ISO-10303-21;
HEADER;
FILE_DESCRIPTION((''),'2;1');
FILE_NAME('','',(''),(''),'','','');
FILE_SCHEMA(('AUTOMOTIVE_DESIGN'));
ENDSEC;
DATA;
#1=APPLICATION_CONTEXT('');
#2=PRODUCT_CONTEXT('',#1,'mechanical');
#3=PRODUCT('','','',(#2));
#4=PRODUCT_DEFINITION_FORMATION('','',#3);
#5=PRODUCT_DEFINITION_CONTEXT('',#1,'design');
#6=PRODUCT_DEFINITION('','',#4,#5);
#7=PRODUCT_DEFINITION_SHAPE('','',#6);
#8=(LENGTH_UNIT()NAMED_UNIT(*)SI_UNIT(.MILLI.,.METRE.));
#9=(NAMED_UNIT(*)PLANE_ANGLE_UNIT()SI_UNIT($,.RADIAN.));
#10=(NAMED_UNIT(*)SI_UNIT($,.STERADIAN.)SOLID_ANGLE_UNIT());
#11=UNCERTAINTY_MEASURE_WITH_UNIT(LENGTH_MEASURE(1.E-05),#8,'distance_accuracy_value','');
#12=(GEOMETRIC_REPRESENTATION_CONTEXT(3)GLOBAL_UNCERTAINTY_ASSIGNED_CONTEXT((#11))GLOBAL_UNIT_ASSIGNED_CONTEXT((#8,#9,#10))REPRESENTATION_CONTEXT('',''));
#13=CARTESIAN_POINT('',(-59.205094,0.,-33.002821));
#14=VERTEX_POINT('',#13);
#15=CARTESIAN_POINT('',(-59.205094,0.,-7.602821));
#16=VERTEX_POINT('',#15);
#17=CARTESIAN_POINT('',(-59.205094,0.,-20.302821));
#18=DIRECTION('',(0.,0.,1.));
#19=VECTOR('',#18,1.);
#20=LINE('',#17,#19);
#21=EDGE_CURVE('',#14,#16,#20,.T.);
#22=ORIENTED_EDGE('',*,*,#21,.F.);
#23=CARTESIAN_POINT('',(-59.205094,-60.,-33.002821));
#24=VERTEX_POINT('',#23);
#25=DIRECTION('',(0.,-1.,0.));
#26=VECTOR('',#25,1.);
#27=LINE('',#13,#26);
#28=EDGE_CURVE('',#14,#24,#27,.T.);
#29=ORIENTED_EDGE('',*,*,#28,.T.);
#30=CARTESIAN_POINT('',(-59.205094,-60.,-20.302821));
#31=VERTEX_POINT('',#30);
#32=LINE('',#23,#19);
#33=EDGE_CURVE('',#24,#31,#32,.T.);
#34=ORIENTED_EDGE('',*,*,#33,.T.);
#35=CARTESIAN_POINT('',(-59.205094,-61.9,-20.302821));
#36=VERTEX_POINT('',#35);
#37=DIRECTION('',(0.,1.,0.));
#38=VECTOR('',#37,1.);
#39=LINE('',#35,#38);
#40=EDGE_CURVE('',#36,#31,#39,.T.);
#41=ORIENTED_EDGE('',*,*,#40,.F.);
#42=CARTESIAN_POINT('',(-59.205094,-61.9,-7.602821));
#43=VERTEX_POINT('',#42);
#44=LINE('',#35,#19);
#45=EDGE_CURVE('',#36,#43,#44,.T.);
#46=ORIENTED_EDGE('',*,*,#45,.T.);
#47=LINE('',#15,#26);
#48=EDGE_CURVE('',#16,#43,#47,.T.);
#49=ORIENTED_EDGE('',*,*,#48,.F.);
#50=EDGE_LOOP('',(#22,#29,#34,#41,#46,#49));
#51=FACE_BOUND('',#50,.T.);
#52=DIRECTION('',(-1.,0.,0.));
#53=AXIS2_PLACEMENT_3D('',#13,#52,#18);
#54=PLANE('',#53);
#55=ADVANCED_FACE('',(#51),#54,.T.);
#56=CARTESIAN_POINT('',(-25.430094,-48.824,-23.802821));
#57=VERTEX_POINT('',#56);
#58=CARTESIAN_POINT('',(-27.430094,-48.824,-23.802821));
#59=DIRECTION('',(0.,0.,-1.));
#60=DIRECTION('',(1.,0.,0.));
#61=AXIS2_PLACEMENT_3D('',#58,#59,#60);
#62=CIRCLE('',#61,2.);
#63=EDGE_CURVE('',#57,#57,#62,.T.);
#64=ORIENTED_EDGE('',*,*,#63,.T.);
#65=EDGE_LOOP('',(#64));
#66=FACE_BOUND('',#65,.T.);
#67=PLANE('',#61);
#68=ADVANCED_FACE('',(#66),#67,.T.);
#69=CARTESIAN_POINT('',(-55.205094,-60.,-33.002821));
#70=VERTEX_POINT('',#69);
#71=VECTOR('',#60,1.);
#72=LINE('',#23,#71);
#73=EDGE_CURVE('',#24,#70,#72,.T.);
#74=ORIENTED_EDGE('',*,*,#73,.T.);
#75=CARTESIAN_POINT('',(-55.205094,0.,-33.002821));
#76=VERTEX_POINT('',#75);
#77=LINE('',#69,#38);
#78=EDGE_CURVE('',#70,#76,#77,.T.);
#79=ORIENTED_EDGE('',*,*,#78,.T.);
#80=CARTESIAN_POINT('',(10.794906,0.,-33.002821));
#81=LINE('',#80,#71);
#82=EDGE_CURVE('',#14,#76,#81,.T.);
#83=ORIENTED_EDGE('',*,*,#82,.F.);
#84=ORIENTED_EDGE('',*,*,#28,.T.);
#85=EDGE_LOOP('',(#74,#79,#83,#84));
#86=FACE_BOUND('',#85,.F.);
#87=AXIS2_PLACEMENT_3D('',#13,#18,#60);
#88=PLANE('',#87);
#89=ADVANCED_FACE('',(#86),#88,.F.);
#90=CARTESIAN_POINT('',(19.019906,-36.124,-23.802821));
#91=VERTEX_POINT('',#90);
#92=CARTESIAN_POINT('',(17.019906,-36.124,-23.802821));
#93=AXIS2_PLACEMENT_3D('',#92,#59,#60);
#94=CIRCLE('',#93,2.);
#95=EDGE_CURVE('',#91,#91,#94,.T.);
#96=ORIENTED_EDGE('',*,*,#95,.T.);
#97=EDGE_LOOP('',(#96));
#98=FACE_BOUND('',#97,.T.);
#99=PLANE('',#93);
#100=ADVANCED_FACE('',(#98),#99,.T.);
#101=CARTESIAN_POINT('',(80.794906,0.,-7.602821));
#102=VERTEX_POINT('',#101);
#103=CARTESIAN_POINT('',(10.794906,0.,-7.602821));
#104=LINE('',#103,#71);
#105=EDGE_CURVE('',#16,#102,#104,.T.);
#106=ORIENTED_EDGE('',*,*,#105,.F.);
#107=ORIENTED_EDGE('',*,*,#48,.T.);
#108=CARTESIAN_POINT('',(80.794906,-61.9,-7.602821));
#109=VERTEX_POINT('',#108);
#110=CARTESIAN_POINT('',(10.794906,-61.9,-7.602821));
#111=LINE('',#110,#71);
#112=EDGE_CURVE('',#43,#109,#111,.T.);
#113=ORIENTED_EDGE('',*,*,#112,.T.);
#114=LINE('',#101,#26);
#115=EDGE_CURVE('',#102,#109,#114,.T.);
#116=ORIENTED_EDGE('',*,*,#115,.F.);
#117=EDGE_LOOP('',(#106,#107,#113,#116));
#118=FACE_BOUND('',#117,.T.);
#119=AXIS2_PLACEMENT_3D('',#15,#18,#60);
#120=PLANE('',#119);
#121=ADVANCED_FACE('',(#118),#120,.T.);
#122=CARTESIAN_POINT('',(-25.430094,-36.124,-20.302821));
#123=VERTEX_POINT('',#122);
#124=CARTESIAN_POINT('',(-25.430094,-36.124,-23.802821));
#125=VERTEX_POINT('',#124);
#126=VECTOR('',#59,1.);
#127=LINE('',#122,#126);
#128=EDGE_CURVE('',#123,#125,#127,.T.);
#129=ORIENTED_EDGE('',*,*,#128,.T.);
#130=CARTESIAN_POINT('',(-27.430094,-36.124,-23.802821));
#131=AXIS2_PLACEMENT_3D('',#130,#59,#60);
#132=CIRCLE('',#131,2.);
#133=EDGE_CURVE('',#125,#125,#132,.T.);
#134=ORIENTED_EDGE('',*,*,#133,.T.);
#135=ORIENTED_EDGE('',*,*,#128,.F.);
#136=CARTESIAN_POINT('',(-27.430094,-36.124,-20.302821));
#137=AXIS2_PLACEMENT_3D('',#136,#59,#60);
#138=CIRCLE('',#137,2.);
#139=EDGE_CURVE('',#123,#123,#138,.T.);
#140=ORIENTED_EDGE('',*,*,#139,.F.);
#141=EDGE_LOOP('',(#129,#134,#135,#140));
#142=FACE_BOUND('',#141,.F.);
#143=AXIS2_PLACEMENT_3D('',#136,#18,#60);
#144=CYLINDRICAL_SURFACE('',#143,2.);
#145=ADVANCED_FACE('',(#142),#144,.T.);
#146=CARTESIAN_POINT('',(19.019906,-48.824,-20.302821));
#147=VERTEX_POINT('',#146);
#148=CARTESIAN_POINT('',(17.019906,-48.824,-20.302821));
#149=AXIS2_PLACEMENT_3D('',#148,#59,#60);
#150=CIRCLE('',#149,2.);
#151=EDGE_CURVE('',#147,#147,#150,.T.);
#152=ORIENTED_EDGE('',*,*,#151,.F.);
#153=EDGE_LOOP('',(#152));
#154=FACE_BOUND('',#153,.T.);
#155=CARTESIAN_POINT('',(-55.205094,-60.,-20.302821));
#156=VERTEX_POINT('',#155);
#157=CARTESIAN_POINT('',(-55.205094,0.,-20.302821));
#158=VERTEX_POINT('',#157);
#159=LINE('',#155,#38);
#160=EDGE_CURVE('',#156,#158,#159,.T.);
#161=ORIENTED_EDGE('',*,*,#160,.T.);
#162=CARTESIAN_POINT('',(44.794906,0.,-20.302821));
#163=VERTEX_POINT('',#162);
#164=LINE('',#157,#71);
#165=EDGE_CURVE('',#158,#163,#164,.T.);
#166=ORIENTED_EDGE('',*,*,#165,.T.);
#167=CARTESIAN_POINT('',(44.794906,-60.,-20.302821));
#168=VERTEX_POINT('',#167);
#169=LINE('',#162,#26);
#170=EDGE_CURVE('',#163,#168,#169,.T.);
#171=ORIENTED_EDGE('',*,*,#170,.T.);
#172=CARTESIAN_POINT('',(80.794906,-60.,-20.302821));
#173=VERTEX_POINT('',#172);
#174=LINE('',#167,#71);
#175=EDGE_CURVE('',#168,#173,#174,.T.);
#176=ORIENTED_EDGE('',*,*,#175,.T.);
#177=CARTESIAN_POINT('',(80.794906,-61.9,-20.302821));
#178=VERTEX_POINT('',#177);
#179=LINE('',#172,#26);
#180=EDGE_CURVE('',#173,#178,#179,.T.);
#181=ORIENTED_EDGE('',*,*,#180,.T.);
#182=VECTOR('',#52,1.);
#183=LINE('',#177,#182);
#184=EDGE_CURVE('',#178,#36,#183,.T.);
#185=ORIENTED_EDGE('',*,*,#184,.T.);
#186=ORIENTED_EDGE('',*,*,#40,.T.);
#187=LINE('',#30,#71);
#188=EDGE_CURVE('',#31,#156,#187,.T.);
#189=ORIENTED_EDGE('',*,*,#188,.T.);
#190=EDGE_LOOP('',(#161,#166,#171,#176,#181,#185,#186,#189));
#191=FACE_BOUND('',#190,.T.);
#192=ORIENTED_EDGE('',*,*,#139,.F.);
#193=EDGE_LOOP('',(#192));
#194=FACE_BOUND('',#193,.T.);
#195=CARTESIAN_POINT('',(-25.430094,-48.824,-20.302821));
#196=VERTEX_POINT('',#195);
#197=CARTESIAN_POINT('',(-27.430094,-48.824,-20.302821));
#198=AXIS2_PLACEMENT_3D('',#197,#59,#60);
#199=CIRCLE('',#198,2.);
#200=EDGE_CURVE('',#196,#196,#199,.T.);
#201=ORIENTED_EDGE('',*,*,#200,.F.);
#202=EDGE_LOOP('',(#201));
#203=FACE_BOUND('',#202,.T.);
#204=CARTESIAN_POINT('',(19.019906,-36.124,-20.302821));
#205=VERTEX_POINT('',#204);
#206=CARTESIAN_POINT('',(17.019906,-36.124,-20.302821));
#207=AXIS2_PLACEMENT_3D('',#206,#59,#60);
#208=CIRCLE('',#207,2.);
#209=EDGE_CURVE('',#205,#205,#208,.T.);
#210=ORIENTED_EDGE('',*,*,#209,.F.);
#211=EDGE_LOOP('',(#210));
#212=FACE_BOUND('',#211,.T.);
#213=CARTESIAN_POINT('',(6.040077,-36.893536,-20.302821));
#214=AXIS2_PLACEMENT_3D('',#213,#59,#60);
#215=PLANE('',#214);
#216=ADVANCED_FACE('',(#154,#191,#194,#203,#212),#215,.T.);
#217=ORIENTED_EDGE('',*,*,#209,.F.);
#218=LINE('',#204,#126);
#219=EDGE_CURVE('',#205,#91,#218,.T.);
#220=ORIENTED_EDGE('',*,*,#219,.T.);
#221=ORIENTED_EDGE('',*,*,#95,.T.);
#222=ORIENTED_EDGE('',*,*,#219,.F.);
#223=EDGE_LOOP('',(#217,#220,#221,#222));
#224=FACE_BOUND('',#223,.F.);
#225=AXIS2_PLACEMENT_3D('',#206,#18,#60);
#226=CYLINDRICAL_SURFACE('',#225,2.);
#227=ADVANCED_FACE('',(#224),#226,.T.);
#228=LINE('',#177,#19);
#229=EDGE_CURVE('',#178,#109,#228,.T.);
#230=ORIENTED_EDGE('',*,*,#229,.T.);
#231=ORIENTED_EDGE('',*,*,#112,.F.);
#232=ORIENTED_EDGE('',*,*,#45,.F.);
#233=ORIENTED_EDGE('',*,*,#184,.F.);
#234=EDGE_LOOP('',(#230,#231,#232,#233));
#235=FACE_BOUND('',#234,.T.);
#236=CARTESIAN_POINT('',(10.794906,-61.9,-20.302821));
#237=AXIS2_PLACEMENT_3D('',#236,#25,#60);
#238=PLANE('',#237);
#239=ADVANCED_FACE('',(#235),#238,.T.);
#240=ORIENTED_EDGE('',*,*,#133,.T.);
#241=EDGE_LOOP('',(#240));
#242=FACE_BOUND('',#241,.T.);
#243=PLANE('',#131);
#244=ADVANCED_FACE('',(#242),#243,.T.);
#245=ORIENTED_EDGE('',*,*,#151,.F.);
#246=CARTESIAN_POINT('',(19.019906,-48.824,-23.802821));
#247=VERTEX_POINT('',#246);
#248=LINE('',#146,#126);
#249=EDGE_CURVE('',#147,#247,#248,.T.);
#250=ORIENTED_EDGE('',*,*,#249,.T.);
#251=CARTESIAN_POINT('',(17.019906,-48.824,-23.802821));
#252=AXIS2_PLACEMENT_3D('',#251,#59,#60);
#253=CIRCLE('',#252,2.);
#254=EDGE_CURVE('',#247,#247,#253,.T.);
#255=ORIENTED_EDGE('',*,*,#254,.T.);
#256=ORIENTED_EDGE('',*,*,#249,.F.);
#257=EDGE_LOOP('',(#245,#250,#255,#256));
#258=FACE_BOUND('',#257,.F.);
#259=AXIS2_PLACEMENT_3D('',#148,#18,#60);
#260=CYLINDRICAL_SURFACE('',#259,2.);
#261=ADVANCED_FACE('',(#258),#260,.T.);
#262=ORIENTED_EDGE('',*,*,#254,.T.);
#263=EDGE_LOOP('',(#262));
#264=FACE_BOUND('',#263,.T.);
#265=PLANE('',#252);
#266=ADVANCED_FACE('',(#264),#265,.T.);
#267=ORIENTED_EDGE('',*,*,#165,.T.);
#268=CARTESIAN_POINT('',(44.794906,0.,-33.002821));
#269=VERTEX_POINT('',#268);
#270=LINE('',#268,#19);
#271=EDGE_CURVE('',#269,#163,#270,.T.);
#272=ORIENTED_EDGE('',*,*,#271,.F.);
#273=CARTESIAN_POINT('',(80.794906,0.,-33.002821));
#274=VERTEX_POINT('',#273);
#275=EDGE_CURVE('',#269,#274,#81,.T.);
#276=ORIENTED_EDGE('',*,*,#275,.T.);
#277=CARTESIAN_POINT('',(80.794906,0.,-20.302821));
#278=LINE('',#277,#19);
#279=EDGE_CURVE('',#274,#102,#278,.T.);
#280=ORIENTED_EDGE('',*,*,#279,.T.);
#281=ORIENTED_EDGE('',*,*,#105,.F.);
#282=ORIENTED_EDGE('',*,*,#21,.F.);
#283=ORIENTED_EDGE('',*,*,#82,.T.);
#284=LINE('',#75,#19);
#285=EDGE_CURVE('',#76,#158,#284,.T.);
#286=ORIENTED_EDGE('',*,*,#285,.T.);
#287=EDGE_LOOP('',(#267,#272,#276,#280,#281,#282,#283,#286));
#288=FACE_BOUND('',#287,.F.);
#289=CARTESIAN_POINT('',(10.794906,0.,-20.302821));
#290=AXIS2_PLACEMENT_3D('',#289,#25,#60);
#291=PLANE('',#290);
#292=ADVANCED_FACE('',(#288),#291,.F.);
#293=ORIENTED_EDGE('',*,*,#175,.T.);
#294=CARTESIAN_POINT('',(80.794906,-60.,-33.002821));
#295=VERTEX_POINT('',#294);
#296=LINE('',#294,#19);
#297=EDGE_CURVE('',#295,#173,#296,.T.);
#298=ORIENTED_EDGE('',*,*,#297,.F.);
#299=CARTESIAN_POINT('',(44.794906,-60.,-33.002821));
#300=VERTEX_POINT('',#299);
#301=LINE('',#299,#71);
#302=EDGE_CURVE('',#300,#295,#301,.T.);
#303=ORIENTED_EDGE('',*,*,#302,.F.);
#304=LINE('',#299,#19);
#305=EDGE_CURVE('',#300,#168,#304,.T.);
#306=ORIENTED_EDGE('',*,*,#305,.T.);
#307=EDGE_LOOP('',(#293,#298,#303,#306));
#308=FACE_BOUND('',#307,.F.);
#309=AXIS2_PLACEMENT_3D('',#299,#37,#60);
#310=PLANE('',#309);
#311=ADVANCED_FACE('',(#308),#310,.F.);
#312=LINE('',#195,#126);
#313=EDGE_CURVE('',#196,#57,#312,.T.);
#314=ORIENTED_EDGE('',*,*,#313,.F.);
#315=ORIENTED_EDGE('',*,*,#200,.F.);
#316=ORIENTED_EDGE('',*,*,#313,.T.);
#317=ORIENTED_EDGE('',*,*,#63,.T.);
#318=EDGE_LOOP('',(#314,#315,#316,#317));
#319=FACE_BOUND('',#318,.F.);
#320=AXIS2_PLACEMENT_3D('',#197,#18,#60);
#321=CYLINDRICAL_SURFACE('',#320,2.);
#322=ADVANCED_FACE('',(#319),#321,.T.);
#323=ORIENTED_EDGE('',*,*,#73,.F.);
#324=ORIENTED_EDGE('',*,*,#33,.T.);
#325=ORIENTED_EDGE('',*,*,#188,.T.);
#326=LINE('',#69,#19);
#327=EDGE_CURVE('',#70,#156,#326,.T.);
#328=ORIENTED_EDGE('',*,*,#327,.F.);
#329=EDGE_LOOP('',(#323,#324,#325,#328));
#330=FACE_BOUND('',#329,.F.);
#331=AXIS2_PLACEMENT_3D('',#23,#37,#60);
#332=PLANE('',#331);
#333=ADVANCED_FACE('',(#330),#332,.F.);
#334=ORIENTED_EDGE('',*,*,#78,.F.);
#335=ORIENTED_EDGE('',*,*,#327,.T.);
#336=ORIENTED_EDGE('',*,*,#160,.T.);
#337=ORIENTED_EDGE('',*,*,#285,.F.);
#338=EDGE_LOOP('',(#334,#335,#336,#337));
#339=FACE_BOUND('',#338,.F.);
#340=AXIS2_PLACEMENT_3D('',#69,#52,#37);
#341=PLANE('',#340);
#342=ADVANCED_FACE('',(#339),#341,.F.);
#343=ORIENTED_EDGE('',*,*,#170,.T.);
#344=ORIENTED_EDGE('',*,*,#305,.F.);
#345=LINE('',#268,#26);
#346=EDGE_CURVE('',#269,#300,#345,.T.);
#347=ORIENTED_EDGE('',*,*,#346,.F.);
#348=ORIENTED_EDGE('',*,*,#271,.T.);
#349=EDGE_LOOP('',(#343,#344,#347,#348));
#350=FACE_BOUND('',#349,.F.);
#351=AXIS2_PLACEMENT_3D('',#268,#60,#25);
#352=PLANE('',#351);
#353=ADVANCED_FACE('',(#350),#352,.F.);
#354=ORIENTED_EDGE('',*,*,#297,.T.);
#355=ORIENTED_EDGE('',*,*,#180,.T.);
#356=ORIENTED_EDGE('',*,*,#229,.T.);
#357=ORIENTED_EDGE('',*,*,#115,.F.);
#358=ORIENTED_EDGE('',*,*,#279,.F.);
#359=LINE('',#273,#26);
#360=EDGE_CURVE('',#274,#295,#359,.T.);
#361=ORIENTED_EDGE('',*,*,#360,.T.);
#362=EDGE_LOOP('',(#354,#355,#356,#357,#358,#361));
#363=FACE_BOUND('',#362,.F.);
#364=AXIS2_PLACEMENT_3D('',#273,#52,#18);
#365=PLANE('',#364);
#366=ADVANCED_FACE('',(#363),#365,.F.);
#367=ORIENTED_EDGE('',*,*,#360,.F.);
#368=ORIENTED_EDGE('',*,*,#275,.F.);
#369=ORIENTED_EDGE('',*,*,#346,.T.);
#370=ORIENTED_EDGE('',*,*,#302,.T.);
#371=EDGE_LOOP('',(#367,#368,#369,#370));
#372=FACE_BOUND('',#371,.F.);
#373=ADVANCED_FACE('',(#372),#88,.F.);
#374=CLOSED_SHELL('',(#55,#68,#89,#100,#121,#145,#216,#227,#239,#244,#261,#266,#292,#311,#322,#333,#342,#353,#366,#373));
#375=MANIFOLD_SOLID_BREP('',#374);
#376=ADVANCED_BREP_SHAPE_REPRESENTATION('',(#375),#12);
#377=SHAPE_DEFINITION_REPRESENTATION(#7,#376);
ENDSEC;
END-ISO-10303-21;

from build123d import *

# Parameters (mm, degrees)
F0_W     = 140
F0_H     = 25.4
F1_DEPTH = 61.9
F3_DEPTH = 12.7
F4_R     = 2
F5_DEPTH = 3.5


with BuildPart() as f1:
    # F0 (on Front) → F1 (new body)
    with BuildSketch(Plane.XZ):
        with Locations((10.794906, -20.302821)):
            Rectangle(F0_W, F0_H)
    extrude(amount=F1_DEPTH)

    # F2 (on face) → F3 (cut)
    with BuildSketch(Plane(origin=(0, 0, -33.002821), x_dir=(1, 0, 0), z_dir=(0, 0, -1))):
        Polygon((-55.205094, 0), (44.794906, 0), (44.794906, 60), (80.794906, 60), (80.794906, 61.9), (-59.205094, 61.9), (-59.205094, 60), (-55.205094, 60), align=None)
    extrude(amount=-F3_DEPTH, mode=Mode.SUBTRACT)

    # F4 (on face) → F5 (join)
    with BuildSketch(Plane(origin=(0, 0, -20.302821), x_dir=(1, 0, 0), z_dir=(0, 0, -1))):
        with Locations((-27.430094, 48.824)):
            Circle(F4_R)
        with Locations((-27.430094, 36.124)):
            Circle(F4_R)
        with Locations((17.019906, 48.824)):
            Circle(F4_R)
        with Locations((17.019906, 36.124)):
            Circle(F4_R)
    extrude(amount=F5_DEPTH)


solid = f1.part
